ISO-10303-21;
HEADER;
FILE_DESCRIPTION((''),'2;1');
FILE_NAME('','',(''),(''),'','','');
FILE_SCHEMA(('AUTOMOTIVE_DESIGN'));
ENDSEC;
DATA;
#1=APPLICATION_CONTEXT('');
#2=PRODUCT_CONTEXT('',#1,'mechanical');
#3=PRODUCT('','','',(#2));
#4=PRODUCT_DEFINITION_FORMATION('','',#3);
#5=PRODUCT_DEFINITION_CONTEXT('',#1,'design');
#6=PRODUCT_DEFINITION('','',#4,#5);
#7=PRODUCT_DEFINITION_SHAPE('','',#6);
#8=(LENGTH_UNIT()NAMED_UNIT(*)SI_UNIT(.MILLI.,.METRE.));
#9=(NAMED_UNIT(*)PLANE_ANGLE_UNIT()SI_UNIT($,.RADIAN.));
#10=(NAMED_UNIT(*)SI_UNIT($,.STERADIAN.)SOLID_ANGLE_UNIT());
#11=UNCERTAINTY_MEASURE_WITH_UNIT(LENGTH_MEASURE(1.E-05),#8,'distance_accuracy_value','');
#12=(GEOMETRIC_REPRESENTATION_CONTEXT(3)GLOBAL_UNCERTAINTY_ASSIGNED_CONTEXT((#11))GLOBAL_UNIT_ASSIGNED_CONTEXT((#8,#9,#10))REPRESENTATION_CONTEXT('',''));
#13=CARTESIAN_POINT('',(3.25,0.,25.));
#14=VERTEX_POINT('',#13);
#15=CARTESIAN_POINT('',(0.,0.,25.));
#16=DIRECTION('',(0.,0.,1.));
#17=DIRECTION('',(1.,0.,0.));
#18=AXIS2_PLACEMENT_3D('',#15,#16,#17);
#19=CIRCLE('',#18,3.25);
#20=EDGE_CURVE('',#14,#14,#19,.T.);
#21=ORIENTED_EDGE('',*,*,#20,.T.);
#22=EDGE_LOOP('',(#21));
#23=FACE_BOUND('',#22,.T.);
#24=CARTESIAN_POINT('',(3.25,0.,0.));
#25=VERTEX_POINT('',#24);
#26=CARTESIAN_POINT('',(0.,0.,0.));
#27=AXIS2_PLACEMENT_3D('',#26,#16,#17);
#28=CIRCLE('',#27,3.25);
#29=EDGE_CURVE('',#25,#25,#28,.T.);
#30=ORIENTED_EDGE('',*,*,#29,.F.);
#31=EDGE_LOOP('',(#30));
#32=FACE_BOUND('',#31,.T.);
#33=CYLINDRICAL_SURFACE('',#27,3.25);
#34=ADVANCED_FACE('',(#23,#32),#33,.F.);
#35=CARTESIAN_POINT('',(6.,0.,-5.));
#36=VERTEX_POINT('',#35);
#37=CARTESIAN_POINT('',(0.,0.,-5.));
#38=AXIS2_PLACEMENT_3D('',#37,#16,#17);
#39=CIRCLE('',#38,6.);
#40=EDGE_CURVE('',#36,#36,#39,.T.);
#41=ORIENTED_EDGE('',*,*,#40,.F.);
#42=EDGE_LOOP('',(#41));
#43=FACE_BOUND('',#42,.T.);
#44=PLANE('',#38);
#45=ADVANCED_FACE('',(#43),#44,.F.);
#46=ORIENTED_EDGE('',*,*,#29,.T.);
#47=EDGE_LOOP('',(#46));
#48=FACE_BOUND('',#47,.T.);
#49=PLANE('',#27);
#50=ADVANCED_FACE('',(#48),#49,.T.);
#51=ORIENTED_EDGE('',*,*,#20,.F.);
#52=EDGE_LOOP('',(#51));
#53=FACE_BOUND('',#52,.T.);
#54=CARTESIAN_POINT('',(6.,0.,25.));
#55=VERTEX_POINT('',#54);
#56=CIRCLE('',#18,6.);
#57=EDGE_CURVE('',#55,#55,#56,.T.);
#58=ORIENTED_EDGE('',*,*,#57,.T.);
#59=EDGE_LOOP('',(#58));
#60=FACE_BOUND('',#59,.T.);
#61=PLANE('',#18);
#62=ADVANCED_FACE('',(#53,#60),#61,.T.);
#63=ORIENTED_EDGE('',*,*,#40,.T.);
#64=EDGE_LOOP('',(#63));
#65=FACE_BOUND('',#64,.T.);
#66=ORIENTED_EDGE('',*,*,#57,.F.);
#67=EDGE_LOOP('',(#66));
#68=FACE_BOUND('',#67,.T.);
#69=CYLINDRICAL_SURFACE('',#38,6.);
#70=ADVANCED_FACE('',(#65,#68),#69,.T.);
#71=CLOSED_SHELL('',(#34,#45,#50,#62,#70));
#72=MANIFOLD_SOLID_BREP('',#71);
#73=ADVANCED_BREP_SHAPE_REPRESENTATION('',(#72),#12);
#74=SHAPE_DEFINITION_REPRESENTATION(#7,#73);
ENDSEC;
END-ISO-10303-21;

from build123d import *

# Parameters (mm, degrees)
BOSS_EXTRUDE1_DEPTH      = 25
BOSS_EXTRUDE1_DEPTH_BACK = 5
SKETCH1_R                = 6
CUT_EXTRUDE1_START       = 25
SKETCH1_4_R              = 3.25
CUT_EXTRUDE1_DEPTH       = 25


with BuildPart() as part:
    # Sketch1 → Boss-Extrude1 (new, two sides: drawn at the far end of the back side and taken through both)
    with BuildSketch(Plane.XY.offset(-BOSS_EXTRUDE1_DEPTH_BACK)):
        Circle(SKETCH1_R)
    extrude(amount=BOSS_EXTRUDE1_DEPTH + BOSS_EXTRUDE1_DEPTH_BACK)

    # Sketch1<4> → Cut-Extrude1 (cut)
    with BuildSketch(Plane.XY.offset(CUT_EXTRUDE1_START)):
        Circle(SKETCH1_4_R)
    extrude(amount=-CUT_EXTRUDE1_DEPTH, mode=Mode.SUBTRACT)


solid = part.part
